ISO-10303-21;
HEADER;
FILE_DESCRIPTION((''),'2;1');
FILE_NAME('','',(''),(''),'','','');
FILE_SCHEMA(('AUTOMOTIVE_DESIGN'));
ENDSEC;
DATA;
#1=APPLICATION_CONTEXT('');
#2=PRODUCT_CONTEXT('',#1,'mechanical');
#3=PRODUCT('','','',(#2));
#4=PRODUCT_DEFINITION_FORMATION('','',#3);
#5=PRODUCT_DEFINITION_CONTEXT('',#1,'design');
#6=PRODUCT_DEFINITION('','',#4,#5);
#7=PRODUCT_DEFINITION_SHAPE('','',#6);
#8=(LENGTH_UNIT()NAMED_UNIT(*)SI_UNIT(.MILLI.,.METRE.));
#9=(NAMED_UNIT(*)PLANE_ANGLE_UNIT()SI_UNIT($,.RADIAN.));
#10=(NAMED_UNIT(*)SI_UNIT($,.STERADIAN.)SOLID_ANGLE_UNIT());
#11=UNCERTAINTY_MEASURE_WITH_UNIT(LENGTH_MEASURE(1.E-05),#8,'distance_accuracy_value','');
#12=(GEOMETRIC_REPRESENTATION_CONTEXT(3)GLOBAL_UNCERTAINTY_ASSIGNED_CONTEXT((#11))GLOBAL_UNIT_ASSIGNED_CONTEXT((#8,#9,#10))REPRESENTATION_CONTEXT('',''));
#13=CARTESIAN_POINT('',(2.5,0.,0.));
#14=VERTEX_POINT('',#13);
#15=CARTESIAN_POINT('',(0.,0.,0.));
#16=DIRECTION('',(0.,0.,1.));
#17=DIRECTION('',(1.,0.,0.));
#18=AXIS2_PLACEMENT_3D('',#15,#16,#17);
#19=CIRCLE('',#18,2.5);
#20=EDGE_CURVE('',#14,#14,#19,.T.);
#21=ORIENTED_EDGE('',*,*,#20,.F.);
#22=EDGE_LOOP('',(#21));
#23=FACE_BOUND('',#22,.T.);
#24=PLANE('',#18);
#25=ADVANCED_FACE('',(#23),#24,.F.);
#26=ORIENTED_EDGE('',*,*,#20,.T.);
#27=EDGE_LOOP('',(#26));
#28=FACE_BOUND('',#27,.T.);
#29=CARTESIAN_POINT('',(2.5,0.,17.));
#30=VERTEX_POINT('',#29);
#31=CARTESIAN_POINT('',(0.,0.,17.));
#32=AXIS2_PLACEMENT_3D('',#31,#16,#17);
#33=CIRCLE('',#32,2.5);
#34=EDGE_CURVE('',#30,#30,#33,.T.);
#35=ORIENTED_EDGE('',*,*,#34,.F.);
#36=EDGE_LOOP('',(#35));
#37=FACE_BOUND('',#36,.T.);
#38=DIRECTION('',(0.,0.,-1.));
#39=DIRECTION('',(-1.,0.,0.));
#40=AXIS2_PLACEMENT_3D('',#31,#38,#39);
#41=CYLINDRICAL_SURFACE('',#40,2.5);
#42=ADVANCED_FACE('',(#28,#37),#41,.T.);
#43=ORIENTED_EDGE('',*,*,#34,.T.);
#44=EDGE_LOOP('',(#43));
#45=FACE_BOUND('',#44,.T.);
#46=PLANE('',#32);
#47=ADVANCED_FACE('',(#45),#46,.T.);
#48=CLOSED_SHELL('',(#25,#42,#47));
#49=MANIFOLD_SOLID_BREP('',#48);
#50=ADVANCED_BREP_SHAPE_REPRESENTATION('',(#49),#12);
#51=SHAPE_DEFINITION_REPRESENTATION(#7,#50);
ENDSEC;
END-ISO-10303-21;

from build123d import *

# Parameters (mm, degrees)
SKETCH_1_R      = 2.5
EXTRUDE_1_DEPTH = 17


with BuildPart() as part:
    # Эскиз1 → Бобышка-Вытянуть1 (new body)
    with BuildSketch(Plane.XY):
        Circle(SKETCH_1_R)
    extrude(amount=EXTRUDE_1_DEPTH)


solid = part.part
